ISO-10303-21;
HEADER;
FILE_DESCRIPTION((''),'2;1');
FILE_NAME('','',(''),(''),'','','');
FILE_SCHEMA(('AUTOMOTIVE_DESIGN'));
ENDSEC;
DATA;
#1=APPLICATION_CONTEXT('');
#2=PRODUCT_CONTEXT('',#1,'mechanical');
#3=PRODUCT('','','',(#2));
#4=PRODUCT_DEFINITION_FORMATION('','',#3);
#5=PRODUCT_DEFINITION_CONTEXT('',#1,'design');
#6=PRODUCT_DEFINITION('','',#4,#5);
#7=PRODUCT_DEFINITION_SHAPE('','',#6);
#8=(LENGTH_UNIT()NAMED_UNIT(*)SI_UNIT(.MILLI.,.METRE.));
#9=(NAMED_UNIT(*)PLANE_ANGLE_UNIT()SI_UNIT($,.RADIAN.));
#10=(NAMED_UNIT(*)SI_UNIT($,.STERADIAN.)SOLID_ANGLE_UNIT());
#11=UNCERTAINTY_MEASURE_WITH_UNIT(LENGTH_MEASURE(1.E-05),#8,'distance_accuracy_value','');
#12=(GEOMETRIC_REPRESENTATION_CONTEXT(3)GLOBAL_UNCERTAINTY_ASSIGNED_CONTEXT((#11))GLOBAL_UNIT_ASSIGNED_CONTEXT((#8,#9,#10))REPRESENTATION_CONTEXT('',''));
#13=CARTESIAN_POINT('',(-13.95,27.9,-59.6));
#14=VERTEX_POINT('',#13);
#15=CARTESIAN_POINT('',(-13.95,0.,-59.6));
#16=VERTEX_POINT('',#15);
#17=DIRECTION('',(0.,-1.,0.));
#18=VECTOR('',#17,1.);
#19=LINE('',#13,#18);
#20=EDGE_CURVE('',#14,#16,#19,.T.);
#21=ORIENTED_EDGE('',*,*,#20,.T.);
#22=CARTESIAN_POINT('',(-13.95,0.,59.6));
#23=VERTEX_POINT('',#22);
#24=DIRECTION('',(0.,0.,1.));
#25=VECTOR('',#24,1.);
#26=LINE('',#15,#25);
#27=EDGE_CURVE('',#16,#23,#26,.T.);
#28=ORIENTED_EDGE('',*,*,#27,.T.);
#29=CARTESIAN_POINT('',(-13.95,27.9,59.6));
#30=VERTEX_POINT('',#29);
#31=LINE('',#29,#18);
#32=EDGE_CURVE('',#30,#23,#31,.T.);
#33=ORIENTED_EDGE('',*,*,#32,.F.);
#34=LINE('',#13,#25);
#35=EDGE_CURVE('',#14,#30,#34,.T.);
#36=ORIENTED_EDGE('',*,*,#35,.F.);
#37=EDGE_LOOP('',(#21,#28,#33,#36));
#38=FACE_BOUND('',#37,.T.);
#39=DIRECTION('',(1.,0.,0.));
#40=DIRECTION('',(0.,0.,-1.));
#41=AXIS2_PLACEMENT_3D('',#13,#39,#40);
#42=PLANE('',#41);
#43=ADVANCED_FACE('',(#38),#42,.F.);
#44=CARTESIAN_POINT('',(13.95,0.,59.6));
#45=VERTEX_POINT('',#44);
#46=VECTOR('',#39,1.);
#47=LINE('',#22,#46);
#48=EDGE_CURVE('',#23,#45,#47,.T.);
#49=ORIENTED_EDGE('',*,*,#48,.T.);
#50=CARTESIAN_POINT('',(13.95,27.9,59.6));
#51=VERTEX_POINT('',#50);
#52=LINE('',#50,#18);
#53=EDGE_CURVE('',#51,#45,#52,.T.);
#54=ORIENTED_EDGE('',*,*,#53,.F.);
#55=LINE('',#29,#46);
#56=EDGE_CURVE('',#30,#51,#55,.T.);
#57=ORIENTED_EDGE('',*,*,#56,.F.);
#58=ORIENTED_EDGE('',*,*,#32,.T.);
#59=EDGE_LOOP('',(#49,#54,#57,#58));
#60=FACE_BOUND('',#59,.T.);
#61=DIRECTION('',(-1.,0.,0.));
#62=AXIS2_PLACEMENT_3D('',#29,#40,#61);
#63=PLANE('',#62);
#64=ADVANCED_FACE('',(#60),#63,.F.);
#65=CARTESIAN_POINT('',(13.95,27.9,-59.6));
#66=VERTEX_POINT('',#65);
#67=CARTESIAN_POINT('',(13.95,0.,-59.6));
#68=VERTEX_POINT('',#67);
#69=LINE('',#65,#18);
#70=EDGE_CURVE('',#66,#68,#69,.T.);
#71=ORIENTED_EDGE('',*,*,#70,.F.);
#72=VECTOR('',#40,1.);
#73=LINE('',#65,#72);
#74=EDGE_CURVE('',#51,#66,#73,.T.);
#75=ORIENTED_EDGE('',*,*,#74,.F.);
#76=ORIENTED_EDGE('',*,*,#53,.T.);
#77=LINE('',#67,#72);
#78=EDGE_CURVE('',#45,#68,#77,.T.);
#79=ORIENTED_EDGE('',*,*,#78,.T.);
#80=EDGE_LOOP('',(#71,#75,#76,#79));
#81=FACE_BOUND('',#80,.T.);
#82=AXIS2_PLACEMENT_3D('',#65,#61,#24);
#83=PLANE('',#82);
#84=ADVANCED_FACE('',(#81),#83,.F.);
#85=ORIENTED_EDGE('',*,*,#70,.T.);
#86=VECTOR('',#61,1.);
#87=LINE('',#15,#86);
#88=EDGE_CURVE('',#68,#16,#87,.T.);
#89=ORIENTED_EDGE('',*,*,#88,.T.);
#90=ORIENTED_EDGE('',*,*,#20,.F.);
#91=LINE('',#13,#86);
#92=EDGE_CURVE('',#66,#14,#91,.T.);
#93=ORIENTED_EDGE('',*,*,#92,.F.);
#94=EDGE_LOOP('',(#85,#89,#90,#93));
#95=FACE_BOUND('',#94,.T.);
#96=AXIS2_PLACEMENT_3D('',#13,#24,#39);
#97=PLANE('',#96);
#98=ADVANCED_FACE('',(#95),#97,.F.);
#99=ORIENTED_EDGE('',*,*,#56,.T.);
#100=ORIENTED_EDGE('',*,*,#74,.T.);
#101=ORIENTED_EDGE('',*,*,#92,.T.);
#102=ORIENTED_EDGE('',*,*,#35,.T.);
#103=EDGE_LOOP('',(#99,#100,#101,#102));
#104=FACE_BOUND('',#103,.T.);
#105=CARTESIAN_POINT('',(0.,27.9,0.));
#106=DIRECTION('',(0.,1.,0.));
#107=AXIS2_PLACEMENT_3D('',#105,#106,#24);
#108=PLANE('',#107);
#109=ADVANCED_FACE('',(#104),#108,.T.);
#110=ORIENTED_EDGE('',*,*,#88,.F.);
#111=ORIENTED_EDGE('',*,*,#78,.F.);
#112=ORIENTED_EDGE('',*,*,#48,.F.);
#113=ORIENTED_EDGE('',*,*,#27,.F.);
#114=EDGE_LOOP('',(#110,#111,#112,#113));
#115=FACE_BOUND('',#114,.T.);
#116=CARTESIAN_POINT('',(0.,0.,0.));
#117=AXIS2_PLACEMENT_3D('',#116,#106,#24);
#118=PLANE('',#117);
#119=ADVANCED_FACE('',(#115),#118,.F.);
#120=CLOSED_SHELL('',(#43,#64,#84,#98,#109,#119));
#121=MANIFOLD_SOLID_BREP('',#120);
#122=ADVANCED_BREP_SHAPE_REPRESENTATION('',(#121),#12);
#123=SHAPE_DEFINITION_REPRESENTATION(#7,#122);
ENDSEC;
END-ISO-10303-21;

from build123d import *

# Parameters (mm, degrees)
SKETCH_1_W      = 27.9
SKETCH_1_H      = 119.2
EXTRUDE_1_DEPTH = 27.9


with BuildPart() as part:
    # Эскиз1 → Бобышка-Вытянуть1 (new body)
    with BuildSketch(Plane(origin=(0, 0, 0), x_dir=(1, 0, 0), z_dir=(0, 1, 0))):
        Rectangle(SKETCH_1_W, SKETCH_1_H)
    extrude(amount=EXTRUDE_1_DEPTH)


solid = part.part
